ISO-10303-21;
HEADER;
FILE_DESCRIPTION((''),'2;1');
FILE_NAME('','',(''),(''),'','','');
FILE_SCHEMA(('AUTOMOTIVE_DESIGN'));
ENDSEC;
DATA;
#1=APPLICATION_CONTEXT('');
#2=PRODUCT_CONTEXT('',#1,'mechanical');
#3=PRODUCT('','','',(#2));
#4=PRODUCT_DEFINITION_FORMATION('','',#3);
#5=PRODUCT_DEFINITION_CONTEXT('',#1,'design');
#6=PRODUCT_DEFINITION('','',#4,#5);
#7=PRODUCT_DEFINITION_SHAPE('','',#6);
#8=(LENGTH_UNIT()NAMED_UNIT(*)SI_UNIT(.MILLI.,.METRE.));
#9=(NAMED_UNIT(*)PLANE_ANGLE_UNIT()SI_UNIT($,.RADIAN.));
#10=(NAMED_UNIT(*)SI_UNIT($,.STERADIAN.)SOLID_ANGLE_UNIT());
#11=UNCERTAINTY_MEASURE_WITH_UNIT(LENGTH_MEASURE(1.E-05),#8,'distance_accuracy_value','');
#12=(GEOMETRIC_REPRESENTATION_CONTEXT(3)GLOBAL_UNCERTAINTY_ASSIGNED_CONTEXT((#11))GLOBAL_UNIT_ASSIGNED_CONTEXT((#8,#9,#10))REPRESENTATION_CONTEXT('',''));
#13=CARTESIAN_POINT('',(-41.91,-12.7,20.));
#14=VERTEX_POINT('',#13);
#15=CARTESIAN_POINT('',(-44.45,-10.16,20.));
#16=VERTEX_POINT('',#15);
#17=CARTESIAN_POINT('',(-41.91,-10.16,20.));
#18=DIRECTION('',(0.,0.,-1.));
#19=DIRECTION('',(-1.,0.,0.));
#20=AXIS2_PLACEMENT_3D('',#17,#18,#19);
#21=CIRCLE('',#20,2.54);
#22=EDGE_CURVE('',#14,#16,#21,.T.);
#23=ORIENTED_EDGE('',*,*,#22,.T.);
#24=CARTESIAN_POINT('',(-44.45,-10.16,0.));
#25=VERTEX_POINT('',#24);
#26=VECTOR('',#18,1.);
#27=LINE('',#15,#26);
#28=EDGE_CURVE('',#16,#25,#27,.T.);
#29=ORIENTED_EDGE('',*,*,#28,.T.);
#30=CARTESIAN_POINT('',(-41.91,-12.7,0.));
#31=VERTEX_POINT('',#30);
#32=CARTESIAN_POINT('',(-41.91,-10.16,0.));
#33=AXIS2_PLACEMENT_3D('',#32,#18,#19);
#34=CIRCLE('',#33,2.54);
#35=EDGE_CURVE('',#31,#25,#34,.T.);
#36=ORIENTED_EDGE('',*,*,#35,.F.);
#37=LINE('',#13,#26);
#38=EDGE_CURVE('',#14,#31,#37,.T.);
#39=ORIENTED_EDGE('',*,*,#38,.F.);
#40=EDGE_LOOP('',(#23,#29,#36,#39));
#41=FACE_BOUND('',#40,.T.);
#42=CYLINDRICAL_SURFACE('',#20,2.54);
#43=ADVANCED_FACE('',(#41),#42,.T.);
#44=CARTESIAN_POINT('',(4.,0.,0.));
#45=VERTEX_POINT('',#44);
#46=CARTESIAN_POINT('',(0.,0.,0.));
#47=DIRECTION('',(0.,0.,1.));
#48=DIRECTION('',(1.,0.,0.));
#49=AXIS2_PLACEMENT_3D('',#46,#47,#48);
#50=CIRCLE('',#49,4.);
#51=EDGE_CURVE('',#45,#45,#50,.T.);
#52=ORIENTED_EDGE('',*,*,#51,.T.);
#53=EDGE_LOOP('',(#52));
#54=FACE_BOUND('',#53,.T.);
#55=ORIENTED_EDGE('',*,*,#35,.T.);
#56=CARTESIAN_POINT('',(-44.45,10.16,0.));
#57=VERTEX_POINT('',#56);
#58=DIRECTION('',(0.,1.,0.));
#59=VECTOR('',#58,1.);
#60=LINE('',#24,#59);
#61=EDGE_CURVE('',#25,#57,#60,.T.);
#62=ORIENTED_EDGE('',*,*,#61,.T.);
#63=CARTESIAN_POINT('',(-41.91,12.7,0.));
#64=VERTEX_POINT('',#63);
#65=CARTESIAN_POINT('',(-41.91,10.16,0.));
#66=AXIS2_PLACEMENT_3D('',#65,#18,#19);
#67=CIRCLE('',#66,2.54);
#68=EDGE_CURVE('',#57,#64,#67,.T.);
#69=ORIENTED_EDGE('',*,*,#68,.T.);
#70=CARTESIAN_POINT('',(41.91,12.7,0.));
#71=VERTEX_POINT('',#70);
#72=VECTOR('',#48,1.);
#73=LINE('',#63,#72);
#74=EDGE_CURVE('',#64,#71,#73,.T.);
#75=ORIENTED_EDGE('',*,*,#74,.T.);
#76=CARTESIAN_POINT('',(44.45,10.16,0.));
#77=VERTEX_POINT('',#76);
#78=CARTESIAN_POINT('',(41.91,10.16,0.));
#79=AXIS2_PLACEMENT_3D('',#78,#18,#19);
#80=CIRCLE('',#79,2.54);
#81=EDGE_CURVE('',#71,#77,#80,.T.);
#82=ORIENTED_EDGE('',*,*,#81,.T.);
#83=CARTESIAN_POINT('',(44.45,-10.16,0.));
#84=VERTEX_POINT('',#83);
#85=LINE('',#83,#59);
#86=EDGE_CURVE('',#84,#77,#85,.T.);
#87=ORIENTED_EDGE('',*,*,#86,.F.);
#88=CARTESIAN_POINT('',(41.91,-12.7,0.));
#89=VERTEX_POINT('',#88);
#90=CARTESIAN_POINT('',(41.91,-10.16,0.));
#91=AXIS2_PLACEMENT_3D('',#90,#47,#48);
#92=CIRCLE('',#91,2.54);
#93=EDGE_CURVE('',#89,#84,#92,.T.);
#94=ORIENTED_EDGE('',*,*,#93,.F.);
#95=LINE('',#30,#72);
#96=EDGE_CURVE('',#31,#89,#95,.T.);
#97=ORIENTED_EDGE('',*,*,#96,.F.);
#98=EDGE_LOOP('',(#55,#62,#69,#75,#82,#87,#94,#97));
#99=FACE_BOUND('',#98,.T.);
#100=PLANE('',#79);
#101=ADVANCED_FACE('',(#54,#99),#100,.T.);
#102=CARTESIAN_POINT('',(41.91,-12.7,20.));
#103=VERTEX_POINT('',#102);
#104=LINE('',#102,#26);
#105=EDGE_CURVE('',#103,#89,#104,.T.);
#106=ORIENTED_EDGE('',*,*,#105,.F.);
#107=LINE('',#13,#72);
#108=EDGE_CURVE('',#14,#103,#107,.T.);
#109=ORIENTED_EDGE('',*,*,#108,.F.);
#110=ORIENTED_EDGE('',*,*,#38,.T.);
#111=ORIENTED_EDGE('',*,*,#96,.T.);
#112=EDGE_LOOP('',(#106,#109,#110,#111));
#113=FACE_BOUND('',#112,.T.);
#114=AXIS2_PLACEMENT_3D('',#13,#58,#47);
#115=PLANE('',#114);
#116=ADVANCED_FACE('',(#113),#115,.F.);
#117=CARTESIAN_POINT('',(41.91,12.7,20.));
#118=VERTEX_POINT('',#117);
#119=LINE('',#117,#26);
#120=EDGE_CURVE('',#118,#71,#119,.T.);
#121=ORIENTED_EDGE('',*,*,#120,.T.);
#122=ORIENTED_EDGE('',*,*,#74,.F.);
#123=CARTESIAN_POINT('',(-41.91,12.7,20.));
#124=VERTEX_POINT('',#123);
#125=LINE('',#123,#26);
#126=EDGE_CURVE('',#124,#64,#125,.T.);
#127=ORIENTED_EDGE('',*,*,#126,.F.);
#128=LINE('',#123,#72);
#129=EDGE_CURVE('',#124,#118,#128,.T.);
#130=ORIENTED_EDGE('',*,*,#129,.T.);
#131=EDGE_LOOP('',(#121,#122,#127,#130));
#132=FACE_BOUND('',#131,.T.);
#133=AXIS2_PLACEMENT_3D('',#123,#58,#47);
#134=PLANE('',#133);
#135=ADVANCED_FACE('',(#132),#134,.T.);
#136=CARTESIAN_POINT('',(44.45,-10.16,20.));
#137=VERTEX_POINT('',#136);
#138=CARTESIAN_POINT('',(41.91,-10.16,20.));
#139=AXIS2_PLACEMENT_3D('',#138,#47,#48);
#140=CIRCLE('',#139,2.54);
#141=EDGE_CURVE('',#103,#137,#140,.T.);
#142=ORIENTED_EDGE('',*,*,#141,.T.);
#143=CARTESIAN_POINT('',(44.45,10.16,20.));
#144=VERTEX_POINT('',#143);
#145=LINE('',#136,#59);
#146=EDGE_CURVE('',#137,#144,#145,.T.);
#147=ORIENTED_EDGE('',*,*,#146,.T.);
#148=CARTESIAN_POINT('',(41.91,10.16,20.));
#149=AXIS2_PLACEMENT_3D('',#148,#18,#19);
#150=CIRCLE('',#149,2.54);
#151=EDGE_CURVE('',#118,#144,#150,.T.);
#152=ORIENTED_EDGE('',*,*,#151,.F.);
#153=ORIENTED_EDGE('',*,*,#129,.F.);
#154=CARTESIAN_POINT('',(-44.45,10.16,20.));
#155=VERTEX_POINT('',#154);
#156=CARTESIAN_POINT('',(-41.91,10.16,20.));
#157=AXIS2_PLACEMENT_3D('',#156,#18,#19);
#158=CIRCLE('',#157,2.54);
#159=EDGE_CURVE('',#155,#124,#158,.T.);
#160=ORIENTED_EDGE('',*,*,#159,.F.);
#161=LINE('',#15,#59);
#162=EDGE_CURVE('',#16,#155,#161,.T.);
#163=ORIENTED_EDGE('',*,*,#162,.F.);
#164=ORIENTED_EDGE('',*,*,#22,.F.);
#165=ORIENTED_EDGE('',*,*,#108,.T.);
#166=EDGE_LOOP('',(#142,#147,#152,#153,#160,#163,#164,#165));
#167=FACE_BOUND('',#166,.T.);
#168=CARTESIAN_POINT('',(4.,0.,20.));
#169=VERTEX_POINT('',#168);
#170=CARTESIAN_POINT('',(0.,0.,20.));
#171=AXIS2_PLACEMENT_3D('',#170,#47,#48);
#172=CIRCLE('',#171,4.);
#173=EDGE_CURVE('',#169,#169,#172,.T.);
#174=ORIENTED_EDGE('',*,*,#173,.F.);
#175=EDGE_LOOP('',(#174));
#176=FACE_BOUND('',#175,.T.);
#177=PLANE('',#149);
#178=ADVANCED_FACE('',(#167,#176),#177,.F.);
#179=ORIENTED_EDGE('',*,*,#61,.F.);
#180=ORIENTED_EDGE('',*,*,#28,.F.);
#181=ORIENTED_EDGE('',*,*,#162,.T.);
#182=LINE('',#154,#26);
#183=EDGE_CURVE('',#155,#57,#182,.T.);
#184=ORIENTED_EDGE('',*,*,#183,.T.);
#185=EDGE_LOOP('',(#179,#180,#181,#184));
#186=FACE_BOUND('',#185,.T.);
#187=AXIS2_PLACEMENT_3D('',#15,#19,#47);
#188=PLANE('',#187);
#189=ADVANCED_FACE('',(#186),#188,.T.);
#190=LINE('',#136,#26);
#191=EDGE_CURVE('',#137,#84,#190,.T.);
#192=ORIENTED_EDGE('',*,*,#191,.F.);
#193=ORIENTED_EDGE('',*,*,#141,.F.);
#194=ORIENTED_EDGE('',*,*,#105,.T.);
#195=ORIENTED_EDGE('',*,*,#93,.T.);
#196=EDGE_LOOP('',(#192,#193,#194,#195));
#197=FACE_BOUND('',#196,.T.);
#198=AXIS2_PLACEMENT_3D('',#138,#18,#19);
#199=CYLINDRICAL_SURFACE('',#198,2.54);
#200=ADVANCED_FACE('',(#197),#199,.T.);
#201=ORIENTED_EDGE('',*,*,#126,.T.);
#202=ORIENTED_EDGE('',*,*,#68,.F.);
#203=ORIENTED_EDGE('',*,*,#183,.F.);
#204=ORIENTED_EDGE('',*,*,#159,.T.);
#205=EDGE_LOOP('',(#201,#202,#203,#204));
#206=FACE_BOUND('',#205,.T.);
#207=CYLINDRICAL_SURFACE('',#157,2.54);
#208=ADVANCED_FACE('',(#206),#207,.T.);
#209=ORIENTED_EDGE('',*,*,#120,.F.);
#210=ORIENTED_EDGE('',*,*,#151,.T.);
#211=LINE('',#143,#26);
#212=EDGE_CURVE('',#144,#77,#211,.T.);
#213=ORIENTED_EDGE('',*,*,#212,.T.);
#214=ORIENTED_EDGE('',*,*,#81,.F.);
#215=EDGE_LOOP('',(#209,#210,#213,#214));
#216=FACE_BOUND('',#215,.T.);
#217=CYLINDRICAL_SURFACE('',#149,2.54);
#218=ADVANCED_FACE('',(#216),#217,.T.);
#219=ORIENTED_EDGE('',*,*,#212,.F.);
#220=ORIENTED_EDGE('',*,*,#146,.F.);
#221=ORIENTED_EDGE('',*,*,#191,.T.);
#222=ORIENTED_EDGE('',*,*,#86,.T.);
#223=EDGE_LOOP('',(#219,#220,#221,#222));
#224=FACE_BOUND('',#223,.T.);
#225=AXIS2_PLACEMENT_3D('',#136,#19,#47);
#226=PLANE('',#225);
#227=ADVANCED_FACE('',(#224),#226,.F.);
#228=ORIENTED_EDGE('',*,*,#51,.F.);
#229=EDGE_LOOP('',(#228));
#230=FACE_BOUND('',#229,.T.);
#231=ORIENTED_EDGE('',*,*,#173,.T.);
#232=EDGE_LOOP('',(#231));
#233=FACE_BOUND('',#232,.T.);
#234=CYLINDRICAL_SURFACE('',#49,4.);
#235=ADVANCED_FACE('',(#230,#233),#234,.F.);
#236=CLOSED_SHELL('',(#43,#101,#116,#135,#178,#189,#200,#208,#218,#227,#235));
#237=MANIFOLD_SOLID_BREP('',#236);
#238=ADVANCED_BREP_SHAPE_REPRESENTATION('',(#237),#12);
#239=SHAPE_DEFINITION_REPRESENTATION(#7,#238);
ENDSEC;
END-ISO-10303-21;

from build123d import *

# Parameters (mm, degrees)
BOSS_EXTRUDE1_DEPTH = 20
SKETCH3_R           = 4
CUT_EXTRUDE1_DEPTH  = 20


with BuildPart() as part:
    # Sketch2 → Boss-Extrude1 (new body)
    with BuildSketch(Plane.XY):
        with BuildLine():
            Line((-41.91, -12.7), (41.91, -12.7))
            ThreePointArc((41.91, -12.7), (43.706051224, -11.956051224), (44.45, -10.16))
            Line((44.45, -10.16), (44.45, 10.16))
            ThreePointArc((44.45, 10.16), (43.706051224, 11.956051224), (41.91, 12.7))
            Line((41.91, 12.7), (-41.91, 12.7))
            ThreePointArc((-41.91, 12.7), (-43.706051224, 11.956051224), (-44.45, 10.16))
            Line((-44.45, 10.16), (-44.45, -10.16))
            ThreePointArc((-44.45, -10.16), (-43.706051224, -11.956051224), (-41.91, -12.7))
        make_face()
    extrude(amount=BOSS_EXTRUDE1_DEPTH)

    # Sketch3 → Cut-Extrude1 (cut)
    with BuildSketch(Plane.XY.offset(20)):
        Circle(SKETCH3_R)
    extrude(amount=-CUT_EXTRUDE1_DEPTH, mode=Mode.SUBTRACT)


solid = part.part
